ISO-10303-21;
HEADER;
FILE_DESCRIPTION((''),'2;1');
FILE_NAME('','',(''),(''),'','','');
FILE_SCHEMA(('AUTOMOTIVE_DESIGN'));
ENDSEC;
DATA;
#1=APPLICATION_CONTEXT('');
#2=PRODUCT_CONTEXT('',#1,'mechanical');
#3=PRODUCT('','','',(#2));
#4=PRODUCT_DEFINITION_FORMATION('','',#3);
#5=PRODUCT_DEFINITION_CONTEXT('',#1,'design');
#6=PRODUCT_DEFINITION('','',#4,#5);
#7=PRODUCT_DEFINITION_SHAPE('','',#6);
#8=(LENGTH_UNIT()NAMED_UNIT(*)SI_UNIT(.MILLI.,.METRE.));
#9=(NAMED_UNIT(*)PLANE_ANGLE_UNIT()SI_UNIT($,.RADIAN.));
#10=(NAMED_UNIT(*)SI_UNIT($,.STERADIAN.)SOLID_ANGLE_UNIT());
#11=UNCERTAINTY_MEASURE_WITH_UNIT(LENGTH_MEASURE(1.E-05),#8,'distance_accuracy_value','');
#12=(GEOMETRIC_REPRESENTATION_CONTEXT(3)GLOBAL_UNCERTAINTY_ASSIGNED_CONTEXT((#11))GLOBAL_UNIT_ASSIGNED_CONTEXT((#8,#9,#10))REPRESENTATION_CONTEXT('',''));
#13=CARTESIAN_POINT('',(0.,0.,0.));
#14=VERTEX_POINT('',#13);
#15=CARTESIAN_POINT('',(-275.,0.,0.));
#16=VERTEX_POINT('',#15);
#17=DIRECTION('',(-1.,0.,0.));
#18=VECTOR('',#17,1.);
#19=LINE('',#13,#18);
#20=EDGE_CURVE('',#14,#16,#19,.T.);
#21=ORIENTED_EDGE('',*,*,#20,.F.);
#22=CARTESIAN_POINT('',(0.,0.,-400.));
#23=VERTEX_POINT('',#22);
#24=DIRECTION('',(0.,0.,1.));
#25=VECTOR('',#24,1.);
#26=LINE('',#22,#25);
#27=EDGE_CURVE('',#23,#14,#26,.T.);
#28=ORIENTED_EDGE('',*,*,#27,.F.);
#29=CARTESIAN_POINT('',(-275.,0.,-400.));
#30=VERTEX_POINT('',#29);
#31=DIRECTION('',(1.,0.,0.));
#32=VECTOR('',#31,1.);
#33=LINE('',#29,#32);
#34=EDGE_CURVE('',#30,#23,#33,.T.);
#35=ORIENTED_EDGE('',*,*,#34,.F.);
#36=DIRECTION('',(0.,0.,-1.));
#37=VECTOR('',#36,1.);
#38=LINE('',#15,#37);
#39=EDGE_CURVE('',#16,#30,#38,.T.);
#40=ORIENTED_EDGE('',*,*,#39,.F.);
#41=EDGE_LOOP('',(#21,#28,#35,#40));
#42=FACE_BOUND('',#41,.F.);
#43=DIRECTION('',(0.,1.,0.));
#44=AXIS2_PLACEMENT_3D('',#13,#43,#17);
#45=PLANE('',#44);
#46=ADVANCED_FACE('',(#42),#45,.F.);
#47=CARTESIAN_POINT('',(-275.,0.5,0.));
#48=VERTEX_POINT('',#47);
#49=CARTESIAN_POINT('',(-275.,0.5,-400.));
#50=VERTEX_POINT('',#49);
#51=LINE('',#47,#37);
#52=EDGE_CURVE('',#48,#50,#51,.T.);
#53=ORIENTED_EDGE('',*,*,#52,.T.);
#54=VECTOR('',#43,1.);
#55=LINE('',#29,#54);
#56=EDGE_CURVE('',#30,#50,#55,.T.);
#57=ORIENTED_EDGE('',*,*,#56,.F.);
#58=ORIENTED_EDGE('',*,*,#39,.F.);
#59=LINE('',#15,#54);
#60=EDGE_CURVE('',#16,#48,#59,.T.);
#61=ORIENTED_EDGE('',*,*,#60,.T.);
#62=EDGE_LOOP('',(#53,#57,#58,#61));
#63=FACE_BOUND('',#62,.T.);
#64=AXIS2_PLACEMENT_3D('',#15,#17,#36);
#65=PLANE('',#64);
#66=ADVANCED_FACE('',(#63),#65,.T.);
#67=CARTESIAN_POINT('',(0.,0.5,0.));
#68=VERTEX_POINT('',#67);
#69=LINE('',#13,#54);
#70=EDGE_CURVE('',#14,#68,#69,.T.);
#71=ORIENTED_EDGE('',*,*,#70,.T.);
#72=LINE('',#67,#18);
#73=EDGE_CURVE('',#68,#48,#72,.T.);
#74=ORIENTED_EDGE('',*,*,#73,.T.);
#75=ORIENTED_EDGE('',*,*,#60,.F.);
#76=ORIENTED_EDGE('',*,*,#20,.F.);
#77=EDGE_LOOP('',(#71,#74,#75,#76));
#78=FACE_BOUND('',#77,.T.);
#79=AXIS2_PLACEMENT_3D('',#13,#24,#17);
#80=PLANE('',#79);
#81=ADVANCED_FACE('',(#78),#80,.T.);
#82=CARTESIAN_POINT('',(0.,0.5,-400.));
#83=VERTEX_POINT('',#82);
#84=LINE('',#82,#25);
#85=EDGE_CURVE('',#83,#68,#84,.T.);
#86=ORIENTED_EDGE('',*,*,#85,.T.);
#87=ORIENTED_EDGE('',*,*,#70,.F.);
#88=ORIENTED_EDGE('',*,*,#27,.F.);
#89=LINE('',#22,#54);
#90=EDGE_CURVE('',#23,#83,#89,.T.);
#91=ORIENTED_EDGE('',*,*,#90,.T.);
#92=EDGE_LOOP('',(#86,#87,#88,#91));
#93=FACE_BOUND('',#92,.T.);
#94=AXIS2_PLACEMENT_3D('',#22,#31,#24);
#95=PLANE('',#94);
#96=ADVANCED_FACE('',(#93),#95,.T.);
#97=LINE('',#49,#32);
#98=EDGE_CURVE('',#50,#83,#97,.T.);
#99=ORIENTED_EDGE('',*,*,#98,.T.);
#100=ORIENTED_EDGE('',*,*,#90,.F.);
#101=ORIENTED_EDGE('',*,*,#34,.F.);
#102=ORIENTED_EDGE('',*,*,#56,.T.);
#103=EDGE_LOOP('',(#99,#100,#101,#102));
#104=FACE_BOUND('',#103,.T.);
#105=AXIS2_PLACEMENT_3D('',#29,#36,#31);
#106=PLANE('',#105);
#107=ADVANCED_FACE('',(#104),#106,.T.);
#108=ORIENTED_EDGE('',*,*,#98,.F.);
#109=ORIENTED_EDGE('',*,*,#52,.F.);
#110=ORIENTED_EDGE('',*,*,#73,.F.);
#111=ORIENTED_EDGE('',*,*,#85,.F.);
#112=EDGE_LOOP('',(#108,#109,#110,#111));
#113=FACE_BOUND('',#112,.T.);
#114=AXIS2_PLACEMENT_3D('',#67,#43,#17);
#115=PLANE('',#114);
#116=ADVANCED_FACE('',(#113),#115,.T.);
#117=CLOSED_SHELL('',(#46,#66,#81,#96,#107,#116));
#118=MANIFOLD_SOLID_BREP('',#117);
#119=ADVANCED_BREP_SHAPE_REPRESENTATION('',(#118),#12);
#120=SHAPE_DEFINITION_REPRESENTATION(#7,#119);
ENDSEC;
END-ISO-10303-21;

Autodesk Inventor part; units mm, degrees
ref_plane "YZ Plane" through (0, 0, 0) normal (1, 0, 0) x (0, 1, 0)
ref_plane "XZ Plane" through (0, 0, 0) normal (0, 1, 0) x (-1, 0, 0)
ref_plane "XY Plane" through (0, 0, 0) normal (0, 0, 1) x (1, 0, 0)
sketch "スケッチ1" plane through (0, 0, 0) normal (0, 1, 0) x (-1, 0, 0)
  line L0 (0, 0) -> (275, 0)
  line L1 (275, 0) -> (275, -400)
  line L2 (275, -400) -> (0, -400)
  line L3 (0, -400) -> (0, 0)
  dimension "d0" = 275
  dimension "d1" = 400
extrude "押し出し1" add sketch "スケッチ1" along normal blind 0.5
properties part number "Ita"
